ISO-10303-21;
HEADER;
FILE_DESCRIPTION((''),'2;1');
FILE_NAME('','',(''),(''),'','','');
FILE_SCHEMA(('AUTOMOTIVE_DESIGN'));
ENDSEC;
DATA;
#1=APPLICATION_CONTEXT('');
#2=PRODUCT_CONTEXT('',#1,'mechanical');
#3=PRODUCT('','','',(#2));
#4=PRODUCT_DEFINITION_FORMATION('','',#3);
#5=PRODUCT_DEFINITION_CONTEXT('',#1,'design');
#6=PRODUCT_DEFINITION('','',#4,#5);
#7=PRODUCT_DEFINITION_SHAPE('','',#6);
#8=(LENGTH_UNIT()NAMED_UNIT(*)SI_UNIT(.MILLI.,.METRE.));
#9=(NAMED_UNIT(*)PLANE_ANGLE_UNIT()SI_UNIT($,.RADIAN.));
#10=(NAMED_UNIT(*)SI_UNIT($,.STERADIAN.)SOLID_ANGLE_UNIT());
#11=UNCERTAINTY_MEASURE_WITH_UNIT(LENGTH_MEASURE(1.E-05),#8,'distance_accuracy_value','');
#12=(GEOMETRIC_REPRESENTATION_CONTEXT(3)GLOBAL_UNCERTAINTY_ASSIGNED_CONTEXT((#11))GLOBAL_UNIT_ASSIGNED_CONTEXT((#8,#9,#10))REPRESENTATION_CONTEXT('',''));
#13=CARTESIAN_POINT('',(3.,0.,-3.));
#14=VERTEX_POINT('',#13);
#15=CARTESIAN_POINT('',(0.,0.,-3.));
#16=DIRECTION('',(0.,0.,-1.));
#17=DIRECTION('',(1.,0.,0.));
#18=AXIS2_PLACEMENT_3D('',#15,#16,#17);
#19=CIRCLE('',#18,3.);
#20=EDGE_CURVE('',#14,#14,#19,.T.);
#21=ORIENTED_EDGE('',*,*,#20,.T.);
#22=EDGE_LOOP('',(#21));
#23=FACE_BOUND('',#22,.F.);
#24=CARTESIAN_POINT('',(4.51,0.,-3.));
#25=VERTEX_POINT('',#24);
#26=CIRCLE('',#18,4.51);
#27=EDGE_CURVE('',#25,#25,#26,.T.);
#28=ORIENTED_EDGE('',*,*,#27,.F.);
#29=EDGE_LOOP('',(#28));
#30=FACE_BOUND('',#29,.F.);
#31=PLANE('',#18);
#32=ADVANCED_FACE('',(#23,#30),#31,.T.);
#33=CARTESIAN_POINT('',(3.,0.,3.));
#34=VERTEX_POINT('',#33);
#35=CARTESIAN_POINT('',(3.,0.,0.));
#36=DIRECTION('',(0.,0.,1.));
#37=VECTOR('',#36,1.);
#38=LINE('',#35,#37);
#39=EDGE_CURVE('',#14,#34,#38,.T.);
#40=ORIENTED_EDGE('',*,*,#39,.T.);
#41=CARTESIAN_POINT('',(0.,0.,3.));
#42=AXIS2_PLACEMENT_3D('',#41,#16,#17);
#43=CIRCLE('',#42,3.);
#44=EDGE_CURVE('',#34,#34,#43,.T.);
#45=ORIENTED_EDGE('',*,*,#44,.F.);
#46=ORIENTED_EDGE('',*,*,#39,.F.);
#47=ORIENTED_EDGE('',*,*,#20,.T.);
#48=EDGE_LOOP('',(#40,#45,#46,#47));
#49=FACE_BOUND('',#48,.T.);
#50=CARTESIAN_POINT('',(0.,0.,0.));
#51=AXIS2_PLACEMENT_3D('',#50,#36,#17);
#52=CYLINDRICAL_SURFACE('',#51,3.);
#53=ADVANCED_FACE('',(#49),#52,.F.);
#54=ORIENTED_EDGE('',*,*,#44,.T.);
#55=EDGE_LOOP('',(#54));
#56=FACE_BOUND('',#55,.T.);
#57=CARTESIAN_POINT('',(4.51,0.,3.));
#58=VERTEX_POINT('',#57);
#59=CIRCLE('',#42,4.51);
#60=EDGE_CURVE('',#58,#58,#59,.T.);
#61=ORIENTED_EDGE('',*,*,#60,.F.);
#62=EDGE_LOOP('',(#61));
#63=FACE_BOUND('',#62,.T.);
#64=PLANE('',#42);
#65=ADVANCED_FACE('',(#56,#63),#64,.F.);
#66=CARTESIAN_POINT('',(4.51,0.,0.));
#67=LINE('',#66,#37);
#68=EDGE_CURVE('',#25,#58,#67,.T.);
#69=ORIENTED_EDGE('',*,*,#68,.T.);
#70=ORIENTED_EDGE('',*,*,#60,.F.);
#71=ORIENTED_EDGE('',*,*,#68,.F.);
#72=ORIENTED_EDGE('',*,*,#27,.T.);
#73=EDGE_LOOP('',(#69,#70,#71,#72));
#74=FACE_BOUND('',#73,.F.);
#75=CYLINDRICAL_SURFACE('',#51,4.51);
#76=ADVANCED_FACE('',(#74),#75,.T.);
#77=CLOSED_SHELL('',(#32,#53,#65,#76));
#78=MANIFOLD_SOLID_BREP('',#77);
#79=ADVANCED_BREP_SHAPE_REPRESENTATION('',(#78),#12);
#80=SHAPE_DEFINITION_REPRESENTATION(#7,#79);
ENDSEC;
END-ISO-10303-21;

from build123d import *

# Parameters (mm, degrees)
SKETCH1_W = 1.51
SKETCH1_H = 6


with BuildPart() as part:
    # Sketch1 → Revolve1 (revolve)
    with BuildSketch(Plane.XZ):
        with Locations((3.755, 0)):
            Rectangle(SKETCH1_W, SKETCH1_H)
    revolve(axis=Axis((0, 0, 3), (0, 0, -1)))


solid = part.part
